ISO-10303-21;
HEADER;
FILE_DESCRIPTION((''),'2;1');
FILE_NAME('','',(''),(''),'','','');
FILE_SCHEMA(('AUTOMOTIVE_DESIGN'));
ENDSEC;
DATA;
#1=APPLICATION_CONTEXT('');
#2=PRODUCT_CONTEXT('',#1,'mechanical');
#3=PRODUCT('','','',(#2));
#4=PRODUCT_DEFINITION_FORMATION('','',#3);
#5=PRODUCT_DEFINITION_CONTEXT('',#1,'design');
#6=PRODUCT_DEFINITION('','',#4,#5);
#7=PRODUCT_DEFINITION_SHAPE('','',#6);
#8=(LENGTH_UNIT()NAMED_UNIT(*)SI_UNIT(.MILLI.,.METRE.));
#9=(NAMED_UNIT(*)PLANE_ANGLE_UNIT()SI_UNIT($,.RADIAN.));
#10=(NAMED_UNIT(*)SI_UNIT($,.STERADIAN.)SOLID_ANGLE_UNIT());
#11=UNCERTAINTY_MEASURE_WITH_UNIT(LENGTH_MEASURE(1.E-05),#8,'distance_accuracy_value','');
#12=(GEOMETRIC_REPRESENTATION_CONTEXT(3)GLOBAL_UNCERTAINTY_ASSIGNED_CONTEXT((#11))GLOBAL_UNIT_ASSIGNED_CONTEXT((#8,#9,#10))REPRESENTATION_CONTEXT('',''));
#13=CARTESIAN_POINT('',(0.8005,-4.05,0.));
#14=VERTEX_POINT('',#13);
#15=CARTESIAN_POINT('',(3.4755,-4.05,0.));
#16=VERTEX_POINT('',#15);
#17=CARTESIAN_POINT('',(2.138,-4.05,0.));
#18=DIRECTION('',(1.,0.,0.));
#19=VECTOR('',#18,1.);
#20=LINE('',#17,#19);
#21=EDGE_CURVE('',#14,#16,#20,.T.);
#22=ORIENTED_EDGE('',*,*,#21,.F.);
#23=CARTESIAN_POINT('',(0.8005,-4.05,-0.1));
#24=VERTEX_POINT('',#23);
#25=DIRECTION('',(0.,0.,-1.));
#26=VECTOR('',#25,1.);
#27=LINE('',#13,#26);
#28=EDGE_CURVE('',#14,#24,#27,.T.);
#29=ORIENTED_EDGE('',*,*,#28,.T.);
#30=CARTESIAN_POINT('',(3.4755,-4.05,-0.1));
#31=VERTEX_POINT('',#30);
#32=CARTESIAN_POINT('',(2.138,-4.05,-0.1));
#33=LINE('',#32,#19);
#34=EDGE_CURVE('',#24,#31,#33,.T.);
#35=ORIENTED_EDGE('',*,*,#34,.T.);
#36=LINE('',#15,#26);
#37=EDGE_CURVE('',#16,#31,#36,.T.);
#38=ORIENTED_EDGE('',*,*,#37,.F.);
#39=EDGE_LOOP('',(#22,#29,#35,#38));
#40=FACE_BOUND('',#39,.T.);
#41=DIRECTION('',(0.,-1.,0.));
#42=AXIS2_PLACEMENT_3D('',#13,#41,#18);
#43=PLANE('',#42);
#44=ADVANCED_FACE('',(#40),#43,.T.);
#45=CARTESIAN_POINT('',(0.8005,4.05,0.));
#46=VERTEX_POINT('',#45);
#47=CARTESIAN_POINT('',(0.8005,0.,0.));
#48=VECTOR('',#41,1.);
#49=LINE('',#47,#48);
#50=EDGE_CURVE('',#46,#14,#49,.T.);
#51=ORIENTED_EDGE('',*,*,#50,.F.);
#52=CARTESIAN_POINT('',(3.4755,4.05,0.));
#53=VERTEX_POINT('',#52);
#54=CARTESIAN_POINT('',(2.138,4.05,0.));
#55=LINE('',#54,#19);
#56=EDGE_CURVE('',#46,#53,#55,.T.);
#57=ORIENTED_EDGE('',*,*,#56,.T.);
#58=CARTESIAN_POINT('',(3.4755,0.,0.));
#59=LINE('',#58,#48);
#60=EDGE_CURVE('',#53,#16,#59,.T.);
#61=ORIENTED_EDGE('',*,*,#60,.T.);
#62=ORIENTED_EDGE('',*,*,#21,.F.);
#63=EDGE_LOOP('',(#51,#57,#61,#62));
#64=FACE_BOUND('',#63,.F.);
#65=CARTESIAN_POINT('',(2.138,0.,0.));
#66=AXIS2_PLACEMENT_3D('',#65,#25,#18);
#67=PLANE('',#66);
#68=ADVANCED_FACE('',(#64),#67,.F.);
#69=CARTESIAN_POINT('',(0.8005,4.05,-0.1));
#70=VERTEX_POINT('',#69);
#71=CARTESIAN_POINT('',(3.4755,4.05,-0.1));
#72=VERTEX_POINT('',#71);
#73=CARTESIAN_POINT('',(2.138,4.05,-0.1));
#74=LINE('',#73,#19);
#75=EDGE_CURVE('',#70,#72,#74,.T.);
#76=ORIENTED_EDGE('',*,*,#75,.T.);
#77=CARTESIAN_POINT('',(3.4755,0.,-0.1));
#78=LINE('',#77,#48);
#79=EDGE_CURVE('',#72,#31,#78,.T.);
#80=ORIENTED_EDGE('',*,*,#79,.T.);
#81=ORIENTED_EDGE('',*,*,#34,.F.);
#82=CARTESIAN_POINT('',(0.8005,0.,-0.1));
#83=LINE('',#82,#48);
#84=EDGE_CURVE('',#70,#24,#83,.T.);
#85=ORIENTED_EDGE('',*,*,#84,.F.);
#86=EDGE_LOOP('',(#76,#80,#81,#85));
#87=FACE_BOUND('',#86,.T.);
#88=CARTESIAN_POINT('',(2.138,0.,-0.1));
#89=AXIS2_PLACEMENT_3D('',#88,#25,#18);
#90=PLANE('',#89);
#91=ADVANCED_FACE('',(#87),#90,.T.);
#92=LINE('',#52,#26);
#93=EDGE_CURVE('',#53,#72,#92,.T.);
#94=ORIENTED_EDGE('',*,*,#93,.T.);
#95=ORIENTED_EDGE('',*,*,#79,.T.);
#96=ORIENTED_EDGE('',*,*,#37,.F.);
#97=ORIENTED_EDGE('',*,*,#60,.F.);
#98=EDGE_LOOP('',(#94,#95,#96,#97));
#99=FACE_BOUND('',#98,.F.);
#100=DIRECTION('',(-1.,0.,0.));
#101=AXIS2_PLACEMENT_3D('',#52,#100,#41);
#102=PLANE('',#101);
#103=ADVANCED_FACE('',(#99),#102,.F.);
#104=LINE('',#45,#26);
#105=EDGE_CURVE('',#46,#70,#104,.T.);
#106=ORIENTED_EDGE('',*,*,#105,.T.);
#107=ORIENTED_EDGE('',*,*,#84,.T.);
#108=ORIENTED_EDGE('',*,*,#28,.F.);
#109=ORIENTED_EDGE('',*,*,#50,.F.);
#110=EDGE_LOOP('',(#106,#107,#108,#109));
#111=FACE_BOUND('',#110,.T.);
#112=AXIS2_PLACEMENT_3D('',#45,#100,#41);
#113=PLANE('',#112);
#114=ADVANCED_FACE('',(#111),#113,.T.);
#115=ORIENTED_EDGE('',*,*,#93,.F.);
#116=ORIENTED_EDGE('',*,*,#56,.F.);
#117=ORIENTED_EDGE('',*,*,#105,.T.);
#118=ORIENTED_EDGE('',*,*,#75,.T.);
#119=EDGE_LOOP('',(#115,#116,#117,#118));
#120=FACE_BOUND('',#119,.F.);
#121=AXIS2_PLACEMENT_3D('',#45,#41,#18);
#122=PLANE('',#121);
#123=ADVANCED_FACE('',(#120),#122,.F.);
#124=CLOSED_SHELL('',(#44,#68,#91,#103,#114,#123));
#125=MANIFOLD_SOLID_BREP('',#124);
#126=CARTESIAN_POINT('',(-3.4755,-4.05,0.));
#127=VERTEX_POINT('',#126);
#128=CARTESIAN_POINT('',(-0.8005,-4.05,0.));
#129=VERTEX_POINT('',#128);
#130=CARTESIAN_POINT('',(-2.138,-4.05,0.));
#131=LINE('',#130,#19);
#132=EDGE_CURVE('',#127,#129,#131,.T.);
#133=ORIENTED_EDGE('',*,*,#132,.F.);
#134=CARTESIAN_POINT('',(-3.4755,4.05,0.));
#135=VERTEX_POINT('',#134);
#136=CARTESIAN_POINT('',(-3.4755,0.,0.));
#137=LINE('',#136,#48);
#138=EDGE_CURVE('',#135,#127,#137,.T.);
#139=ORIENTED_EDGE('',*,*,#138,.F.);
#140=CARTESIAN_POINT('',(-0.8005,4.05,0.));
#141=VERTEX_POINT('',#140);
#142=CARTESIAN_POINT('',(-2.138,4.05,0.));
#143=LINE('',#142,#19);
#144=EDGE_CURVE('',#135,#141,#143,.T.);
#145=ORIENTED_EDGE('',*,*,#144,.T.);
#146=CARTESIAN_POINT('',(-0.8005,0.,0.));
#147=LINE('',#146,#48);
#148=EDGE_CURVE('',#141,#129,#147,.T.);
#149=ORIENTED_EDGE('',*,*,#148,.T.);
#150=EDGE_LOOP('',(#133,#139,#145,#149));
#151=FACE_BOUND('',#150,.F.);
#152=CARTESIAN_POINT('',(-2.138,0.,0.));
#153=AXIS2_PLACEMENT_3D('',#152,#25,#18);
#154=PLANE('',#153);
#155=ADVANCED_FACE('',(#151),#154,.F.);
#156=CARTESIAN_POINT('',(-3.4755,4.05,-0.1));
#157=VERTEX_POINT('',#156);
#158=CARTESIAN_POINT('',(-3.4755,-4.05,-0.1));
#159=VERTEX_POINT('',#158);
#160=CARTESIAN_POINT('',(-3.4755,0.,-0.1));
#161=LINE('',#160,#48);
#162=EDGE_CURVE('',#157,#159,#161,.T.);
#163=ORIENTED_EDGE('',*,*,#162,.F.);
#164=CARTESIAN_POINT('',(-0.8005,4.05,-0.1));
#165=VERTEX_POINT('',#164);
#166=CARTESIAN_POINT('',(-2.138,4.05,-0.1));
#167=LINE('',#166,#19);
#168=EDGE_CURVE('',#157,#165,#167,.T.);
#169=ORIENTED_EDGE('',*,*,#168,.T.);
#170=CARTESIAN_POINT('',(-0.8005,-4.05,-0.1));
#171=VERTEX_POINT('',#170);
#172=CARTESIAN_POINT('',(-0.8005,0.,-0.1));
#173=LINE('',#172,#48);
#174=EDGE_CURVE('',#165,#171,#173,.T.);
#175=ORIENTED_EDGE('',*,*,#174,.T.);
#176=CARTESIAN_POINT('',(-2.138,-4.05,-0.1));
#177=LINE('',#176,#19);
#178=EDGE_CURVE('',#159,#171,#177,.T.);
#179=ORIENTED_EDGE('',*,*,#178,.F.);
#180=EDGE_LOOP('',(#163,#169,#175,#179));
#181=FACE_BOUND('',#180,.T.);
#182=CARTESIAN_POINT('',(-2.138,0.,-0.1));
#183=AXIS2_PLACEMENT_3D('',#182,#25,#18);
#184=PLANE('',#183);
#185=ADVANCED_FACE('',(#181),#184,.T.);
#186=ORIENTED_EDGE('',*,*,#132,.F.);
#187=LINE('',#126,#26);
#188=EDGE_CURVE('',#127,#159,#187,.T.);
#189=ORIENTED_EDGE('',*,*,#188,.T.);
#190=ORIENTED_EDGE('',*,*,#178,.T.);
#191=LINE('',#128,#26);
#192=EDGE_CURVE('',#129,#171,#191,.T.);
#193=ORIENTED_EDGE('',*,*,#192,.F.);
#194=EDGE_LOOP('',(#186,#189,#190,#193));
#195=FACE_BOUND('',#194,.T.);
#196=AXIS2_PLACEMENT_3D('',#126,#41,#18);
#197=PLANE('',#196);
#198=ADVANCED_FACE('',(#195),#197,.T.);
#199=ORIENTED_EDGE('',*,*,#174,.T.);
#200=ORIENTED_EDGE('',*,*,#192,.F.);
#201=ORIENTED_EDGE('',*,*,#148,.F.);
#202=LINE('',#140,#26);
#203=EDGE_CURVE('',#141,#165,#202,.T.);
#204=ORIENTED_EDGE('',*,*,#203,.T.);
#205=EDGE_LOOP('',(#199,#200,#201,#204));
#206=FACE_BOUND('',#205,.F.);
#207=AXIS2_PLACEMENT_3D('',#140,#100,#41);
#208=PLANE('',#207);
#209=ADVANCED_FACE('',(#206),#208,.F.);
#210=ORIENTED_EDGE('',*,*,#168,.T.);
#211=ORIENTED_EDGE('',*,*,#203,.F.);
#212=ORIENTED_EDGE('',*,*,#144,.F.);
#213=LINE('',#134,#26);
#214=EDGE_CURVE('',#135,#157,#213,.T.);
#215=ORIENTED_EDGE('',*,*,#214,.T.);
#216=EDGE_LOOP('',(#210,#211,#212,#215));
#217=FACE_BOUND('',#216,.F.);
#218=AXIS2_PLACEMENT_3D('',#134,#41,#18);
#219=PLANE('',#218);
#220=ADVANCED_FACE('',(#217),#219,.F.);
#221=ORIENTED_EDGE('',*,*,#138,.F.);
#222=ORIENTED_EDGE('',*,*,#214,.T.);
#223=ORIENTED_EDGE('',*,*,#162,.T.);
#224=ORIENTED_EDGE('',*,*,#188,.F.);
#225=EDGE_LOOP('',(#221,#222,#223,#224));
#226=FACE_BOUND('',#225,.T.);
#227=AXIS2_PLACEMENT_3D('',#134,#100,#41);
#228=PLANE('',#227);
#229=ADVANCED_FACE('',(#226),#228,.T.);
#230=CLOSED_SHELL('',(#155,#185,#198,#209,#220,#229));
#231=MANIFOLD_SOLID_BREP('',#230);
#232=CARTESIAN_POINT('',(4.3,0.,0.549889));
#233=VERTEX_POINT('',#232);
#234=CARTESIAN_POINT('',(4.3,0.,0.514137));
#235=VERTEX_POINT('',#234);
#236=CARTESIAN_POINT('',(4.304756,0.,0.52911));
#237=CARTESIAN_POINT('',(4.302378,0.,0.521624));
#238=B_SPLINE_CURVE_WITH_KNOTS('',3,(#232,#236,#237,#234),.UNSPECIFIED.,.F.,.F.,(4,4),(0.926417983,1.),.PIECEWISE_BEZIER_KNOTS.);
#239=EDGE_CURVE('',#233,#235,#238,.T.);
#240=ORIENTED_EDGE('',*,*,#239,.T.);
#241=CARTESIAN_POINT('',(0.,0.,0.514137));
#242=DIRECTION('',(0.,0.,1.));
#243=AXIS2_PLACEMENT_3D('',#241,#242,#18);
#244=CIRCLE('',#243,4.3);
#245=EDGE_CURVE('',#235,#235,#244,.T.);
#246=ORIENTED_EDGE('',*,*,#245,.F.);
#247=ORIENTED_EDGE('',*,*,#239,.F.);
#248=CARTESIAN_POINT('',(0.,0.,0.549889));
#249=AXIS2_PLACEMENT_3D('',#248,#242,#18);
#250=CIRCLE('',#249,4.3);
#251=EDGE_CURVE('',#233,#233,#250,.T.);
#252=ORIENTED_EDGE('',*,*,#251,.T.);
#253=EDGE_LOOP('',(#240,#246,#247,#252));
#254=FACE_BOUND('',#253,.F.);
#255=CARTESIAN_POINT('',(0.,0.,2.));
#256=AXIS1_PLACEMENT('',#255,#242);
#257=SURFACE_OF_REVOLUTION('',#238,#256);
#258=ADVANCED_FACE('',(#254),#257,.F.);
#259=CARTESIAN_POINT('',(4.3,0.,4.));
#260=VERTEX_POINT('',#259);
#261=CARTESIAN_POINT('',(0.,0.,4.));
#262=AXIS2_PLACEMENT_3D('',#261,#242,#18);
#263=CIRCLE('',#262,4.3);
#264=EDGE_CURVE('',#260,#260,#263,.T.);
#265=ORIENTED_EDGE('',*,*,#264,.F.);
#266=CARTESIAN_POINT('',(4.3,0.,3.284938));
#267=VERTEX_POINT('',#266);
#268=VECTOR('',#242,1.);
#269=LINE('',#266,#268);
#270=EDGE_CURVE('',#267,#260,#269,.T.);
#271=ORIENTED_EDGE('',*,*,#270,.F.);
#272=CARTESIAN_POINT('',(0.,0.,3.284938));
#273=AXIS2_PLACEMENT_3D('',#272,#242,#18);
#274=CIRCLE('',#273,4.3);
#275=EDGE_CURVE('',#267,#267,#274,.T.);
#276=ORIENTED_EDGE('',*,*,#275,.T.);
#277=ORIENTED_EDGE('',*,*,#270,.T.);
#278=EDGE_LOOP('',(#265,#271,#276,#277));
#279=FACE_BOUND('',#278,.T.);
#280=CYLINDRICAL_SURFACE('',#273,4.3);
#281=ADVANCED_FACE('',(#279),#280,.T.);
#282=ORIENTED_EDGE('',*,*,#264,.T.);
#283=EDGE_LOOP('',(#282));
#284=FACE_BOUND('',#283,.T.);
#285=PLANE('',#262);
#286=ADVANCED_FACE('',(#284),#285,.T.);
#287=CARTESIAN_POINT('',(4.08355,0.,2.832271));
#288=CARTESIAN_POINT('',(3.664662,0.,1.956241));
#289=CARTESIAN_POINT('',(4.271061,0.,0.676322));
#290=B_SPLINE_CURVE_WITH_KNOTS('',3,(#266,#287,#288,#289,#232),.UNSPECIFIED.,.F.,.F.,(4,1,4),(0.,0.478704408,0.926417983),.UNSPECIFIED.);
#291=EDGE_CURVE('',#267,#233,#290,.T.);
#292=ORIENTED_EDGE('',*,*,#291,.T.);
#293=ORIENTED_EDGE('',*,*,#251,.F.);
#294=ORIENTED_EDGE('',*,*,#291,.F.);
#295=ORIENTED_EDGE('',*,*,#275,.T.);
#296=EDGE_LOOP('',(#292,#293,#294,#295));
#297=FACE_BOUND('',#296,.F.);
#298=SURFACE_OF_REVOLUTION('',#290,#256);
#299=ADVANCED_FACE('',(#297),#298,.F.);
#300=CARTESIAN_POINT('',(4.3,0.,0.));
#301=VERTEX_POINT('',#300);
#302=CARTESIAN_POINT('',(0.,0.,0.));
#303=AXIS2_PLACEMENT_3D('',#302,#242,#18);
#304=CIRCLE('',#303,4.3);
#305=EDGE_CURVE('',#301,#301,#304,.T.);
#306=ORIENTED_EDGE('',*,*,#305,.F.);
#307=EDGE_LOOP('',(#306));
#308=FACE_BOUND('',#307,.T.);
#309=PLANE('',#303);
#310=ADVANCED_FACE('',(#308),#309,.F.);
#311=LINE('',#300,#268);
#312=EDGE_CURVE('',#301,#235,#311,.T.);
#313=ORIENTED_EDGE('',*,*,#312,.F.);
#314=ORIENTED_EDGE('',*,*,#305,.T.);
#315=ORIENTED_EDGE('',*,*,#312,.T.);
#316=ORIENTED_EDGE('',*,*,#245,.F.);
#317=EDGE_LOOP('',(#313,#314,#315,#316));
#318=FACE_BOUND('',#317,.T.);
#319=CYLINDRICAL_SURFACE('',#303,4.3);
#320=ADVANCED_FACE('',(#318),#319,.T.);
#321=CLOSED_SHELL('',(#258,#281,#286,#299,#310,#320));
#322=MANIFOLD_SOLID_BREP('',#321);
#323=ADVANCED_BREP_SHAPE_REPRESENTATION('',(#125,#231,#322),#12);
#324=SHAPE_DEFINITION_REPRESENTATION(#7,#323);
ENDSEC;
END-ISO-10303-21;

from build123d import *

# Parameters (mm, degrees)
F2_W     = 2.675
F2_H     = 8.1
F3_DEPTH = 0.1


with BuildPart() as f1:
    # F0 (on Front) → F1 (revolve)
    with BuildSketch(Plane.XZ):
        with BuildLine():
            Line((0, 4), (0, 0))
            Line((0, 0), (4.3, 0))
            Line((4.3, 0), (4.3, 0.5141369766))
            Line((4.3, 0.5141369766), (4.3, 0.549889286))
            add(Edge.make_bspline(
                [(4.3, 3.2849381678), (4.0835498067, 2.8322707938), (3.6646621842, 1.9562412686), (4.2710613366, 0.6763216306), (4.3, 0.549889286)],
                knots=[0, 0, 0, 0, 0.4787044083, 0.9264179829, 0.9264179829, 0.9264179829, 0.9264179829], degree=3))
            Line((4.3, 3.2849381678), (4.3, 4))
            Line((4.3, 4), (0, 4))
        make_face()
        with BuildLine():
            Line((4.3, 0.549889286), (4.3, 0.5141369766))
            add(Edge.make_bspline(
                [(4.3, 0.549889286), (4.3047560881, 0.529110048), (4.3023780441, 0.5216235123), (4.3, 0.5141369766)],
                knots=[0.9264179829, 0.9264179829, 0.9264179829, 0.9264179829, 1, 1, 1, 1], degree=3))
        make_face()
    revolve(axis=Axis((0, 0, 2), (0, 0, 1)))


with BuildPart() as f3:
    # F2 (on face) → F3 (new body)
    with BuildSketch(Plane(origin=(0, 0, 0), x_dir=(1, 0, 0), z_dir=(0, 0, -1))):
        with Locations((2.138, 0)):
            Rectangle(F2_W, F2_H)
    extrude(amount=F3_DEPTH)


with BuildPart() as f3b:
    # F2 (on face) → F3, piece 2 (new body)
    with BuildSketch(Plane(origin=(0, 0, 0), x_dir=(1, 0, 0), z_dir=(0, 0, -1))):
        with Locations((-2.138, 0)):
            Rectangle(F2_W, F2_H)
    extrude(amount=F3_DEPTH)


solid = Compound([f1.part, f3.part, f3b.part])
